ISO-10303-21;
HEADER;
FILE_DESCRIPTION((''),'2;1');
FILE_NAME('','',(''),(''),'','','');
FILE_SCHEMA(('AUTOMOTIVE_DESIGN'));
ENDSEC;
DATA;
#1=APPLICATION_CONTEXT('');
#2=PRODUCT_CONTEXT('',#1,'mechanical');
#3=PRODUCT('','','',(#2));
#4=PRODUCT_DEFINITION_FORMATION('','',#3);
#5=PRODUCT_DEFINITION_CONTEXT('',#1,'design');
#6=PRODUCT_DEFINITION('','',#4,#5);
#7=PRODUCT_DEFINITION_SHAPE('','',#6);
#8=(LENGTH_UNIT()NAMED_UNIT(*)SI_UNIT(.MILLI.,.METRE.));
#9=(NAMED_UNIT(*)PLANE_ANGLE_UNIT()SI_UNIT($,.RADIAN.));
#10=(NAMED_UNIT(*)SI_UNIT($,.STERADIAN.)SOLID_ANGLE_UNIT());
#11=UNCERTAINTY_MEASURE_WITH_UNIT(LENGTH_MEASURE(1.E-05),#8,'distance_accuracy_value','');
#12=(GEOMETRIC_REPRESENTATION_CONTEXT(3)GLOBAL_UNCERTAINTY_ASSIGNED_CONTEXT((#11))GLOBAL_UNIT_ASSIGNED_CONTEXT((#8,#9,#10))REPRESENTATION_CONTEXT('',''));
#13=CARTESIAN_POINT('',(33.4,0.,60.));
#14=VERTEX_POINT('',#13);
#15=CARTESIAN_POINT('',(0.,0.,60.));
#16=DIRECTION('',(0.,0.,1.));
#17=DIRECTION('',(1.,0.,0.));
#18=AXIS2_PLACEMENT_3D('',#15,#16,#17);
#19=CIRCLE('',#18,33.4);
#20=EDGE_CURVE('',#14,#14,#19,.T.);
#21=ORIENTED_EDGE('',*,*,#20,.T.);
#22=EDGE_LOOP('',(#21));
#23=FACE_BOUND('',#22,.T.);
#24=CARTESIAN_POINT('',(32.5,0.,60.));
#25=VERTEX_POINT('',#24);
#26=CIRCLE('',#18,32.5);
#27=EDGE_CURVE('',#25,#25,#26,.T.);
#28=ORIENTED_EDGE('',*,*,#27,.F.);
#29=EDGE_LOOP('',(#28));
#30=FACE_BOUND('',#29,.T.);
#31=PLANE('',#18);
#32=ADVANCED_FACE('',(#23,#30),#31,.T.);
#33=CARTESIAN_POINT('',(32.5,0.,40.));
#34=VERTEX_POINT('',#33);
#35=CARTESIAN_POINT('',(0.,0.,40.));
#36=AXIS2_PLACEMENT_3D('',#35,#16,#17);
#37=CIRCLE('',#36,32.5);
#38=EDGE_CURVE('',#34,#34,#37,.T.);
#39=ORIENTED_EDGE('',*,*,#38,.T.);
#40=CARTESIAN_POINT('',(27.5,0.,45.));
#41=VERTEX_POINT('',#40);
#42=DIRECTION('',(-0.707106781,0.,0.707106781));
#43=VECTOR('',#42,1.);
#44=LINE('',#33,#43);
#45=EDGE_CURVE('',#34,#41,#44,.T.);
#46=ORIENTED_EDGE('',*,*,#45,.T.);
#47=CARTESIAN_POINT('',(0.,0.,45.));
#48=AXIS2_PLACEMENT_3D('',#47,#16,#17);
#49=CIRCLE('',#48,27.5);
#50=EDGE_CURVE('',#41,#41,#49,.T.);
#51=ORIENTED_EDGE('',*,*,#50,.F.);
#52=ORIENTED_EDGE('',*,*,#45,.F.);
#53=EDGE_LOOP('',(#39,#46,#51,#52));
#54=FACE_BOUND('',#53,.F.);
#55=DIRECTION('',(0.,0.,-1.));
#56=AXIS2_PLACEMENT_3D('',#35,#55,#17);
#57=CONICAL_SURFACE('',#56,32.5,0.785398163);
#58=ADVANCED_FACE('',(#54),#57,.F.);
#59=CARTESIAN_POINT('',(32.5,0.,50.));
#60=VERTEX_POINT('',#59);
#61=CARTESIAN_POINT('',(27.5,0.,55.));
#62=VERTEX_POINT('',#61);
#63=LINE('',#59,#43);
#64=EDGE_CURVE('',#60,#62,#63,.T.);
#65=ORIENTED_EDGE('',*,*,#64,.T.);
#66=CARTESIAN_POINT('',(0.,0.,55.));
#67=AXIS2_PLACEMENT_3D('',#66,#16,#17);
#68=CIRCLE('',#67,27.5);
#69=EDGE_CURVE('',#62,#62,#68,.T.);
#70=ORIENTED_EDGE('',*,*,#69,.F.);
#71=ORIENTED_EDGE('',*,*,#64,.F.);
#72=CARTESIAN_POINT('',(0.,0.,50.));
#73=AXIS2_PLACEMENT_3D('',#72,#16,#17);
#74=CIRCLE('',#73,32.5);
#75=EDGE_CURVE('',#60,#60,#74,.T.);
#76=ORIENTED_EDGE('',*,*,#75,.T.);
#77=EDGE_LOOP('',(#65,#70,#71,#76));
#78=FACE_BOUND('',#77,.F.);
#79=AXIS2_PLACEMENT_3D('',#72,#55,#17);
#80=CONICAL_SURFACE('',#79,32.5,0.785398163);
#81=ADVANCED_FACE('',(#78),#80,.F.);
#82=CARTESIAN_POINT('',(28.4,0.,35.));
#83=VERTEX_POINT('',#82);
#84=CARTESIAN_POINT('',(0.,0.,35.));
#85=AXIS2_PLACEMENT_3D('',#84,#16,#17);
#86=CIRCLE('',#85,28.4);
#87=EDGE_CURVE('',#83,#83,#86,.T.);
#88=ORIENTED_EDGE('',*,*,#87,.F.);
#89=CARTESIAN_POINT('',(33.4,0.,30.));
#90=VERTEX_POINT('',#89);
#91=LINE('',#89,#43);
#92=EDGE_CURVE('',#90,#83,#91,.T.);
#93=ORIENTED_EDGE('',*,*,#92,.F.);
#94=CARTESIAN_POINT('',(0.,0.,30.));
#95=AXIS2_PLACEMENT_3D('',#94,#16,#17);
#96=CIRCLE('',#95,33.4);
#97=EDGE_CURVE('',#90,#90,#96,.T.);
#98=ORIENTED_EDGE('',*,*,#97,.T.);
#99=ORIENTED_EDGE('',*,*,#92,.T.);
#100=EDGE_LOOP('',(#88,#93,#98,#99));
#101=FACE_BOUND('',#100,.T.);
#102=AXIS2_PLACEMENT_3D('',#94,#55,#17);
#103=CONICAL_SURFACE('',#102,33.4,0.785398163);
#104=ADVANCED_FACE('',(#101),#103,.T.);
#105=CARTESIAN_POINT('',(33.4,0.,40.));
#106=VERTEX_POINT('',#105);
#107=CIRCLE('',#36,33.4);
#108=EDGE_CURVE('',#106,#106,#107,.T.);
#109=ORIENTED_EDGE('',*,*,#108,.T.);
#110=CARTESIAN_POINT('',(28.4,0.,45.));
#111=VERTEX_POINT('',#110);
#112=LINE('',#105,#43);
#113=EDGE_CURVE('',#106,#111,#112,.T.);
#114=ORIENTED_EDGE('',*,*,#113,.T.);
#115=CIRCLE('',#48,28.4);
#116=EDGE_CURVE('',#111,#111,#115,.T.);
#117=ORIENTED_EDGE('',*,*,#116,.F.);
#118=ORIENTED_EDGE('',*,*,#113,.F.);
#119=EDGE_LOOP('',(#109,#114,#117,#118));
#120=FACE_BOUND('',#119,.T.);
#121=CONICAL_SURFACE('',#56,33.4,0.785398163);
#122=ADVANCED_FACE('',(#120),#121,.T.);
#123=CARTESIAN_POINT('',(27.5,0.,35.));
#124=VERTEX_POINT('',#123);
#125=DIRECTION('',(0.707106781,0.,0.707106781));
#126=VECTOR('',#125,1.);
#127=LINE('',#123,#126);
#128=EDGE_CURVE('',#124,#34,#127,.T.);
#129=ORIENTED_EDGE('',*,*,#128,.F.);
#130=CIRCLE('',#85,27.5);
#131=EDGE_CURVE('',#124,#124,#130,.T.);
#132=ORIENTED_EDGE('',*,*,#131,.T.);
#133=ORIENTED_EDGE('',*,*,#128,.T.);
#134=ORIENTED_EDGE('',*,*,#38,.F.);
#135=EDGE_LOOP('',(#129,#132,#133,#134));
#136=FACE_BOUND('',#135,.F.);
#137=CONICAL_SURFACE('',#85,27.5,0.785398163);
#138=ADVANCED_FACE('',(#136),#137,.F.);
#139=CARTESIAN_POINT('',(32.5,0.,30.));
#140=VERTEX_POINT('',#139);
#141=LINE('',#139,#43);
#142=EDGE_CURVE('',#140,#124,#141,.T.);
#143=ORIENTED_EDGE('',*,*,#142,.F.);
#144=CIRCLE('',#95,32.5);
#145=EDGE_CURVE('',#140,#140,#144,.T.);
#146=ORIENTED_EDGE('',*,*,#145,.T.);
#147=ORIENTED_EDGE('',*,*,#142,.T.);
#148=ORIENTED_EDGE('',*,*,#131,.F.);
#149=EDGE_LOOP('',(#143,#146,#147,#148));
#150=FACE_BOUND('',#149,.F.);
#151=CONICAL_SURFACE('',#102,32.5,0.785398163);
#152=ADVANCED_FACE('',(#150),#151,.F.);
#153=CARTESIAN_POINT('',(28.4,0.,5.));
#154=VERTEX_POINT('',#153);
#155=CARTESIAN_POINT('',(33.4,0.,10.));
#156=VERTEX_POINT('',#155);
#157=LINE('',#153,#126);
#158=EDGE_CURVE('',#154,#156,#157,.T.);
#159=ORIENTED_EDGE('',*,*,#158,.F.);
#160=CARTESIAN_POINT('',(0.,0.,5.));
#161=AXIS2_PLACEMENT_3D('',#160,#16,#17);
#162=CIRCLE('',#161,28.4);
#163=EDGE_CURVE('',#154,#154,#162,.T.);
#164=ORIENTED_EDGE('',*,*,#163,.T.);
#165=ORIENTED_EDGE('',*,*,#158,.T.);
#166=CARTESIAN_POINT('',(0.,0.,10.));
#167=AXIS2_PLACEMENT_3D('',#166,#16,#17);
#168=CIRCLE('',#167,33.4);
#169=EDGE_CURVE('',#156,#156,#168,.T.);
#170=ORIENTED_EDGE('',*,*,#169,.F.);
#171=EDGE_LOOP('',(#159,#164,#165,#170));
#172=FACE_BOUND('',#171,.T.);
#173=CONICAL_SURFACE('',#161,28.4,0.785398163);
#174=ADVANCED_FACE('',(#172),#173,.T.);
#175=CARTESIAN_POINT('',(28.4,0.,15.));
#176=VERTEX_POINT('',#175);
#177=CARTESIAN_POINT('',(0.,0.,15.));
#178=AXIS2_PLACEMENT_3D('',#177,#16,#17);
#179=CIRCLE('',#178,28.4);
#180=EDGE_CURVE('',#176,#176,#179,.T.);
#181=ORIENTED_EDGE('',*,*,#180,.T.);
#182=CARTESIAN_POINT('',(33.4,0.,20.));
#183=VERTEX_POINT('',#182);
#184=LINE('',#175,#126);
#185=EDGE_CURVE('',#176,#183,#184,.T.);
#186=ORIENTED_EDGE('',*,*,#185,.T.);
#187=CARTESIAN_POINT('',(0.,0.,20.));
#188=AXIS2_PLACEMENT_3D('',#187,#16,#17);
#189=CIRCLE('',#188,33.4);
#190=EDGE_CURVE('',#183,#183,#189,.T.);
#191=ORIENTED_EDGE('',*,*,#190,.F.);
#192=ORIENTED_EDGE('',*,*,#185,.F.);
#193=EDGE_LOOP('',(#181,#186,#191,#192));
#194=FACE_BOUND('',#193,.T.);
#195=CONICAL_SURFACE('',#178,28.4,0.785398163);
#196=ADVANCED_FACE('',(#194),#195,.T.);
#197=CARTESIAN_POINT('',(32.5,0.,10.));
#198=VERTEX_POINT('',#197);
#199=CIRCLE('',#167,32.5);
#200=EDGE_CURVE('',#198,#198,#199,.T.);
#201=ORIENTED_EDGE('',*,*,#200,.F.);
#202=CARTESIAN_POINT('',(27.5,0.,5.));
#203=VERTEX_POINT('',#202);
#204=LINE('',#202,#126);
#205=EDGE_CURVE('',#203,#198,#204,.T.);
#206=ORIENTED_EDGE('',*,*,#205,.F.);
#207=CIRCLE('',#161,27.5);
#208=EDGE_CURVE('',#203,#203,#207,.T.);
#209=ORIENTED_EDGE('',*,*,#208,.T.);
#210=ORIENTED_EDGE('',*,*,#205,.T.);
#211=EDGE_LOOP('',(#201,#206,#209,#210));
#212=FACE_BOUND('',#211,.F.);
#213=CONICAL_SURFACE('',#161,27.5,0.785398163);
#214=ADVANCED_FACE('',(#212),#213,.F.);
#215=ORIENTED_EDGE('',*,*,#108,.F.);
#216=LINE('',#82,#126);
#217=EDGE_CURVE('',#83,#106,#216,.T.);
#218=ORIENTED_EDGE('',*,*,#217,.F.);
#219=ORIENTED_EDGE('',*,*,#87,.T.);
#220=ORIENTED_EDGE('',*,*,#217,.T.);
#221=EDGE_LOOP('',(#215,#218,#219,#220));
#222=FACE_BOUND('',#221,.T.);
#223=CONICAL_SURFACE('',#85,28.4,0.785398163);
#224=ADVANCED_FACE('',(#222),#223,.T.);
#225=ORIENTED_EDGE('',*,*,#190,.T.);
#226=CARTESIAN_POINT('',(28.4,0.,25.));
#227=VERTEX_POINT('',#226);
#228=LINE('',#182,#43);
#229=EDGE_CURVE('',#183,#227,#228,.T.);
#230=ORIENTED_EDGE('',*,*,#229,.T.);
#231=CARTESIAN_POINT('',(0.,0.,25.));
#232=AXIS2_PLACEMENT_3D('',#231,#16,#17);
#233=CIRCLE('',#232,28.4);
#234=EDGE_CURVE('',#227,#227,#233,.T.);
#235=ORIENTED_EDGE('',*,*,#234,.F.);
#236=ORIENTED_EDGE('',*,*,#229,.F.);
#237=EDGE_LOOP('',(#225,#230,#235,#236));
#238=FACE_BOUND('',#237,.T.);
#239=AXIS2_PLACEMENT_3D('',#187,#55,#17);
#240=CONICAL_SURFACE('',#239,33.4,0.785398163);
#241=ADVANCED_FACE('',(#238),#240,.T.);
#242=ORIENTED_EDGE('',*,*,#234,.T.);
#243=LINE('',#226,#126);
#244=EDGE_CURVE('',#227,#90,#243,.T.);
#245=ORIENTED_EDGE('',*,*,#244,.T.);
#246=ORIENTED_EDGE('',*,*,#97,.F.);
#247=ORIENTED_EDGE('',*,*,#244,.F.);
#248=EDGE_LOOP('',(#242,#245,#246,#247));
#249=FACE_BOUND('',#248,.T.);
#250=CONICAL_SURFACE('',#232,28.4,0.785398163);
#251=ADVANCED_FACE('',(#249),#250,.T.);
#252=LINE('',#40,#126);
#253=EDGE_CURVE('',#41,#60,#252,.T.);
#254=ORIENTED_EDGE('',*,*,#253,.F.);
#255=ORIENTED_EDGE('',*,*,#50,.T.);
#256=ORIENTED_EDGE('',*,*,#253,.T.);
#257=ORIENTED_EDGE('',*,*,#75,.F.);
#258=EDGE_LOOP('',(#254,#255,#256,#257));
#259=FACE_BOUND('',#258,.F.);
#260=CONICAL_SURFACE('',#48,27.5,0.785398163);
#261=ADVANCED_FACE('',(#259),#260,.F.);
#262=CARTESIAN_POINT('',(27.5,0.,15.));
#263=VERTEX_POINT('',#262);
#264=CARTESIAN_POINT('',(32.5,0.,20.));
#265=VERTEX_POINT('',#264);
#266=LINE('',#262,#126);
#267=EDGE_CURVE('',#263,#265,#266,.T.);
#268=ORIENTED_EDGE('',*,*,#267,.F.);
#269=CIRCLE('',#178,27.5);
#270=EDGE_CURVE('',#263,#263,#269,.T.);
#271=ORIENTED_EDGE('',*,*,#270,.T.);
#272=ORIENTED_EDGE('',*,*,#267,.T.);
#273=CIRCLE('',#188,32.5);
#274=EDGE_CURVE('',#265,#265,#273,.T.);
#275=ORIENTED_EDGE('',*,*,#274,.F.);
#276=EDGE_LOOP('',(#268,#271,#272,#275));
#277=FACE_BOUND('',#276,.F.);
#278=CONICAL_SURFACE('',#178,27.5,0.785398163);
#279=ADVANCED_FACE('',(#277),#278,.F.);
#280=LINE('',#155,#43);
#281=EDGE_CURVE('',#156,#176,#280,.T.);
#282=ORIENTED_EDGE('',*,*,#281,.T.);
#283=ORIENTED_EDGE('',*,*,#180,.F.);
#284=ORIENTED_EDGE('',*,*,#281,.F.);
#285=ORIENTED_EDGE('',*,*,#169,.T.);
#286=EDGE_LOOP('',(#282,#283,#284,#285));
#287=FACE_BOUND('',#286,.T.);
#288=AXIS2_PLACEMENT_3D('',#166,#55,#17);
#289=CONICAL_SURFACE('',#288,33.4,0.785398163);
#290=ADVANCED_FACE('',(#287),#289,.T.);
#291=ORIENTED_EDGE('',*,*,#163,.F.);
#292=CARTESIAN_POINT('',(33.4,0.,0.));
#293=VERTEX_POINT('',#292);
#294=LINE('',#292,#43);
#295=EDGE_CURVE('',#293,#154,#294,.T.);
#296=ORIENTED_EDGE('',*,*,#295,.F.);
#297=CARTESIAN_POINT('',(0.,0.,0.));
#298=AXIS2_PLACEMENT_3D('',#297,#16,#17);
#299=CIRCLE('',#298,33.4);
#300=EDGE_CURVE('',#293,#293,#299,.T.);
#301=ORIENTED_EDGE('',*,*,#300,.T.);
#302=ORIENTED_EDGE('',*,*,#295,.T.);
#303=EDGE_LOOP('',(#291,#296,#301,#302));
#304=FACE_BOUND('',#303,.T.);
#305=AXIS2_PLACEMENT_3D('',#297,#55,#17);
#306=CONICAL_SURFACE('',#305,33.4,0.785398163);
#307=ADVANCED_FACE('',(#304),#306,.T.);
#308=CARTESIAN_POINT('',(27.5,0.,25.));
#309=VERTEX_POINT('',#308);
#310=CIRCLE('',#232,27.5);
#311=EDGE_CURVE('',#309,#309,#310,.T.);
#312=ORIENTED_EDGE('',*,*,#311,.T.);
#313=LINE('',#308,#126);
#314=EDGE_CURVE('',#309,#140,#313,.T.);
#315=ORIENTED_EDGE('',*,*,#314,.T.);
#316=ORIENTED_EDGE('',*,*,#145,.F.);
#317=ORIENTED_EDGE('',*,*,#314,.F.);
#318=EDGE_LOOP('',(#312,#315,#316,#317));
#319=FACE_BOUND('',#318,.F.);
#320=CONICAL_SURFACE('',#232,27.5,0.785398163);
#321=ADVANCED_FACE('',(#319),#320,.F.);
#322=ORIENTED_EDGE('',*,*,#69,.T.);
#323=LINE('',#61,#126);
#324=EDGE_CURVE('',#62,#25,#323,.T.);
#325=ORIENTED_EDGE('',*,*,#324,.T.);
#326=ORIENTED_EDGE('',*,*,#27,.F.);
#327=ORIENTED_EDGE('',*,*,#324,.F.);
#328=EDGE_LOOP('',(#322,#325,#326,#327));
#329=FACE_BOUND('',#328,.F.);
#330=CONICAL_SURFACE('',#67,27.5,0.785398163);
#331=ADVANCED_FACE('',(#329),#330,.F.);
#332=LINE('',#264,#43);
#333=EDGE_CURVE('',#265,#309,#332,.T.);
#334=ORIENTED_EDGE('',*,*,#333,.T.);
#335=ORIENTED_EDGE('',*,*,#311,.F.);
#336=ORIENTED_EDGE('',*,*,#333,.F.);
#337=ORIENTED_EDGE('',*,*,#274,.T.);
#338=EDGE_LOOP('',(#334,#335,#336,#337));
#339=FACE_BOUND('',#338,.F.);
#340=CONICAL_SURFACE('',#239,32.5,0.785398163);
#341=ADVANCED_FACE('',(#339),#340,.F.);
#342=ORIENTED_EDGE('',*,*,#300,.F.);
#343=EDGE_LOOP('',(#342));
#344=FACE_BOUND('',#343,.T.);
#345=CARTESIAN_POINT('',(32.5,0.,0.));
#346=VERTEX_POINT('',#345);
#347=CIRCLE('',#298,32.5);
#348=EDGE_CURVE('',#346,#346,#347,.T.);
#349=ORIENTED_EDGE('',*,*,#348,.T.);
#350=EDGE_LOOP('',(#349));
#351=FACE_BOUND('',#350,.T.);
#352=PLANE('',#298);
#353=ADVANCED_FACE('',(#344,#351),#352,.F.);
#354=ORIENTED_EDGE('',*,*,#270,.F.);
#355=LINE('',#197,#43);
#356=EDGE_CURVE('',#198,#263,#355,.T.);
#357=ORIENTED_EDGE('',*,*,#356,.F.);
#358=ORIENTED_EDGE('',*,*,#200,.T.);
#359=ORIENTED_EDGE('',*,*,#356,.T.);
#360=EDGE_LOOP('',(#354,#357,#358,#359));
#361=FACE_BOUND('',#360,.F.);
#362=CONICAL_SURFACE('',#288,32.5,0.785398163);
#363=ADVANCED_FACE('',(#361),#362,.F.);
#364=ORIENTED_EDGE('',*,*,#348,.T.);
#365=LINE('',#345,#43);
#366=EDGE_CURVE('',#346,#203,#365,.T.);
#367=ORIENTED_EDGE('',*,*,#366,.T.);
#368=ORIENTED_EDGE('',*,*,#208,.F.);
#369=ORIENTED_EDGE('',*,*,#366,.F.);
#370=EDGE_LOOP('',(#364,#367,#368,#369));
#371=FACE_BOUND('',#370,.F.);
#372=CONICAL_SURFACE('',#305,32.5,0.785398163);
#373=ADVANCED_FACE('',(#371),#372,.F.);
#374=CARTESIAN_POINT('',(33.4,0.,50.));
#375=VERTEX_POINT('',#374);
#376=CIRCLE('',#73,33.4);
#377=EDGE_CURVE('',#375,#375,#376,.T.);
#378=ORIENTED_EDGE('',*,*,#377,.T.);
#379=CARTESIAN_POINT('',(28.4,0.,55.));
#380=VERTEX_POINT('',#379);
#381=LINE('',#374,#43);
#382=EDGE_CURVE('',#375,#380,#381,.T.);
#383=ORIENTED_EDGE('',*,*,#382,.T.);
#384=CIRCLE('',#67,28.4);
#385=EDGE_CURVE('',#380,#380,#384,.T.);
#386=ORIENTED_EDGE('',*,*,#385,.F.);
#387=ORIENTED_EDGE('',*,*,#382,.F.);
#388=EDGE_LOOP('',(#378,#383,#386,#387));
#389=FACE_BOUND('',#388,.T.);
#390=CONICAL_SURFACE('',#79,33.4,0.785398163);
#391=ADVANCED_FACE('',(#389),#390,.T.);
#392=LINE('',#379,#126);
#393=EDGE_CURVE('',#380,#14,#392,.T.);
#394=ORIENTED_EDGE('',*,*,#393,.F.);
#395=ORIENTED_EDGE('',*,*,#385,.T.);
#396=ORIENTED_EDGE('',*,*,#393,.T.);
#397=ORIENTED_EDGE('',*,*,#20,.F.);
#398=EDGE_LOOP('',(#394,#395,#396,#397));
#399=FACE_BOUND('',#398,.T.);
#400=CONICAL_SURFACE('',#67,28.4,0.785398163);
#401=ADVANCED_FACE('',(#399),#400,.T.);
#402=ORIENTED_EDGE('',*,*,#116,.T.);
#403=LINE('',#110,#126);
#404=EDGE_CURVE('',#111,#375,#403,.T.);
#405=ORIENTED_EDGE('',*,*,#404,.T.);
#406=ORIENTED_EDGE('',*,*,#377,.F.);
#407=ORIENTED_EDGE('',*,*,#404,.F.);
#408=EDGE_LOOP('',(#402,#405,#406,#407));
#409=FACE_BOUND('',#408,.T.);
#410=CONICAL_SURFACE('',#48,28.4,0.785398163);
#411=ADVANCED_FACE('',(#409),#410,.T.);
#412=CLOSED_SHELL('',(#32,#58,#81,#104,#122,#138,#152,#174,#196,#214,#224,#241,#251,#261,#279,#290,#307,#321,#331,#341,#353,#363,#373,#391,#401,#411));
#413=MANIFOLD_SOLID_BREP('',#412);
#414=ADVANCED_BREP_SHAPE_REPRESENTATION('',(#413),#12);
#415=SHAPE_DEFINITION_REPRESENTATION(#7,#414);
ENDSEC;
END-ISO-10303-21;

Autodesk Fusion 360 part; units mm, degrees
sketch "Sketch1" plane through (0, 0, 0) normal (0, 1, 0) x (1, 0, 0)
  line L0 (32.5, 0) -> (27.5, -5)
  line L1 (27.5, -5) -> (32.5, -10)
  line L2 (33.4, 0) -> (28.4, -5)
  line L3 (28.4, -5) -> (33.4, -10)
  line L4 (32.5, 0) -> (33.4, 0)
  line L5 (33.4, -10) -> (32.5, -10)
  line L6 (32.5, 0) -> (0, 0) construction
  point P0 (30, -2.5)
  dimension "d1" = 0.9
  dimension "d2" = 10
  dimension "d11" = 30
  dimension "d12" = 32.5
revolve "Revolve1" add sketch "Sketch1" angle 360 about axis through (0, 0, 1.75) along (0, 0, 1) makes body 1
pattern_linear "R-Pattern1" count 6 spacing 10 along (0, 0, 1) of bodies 1 makes body 2 at (31.5756, -3.1596, 18.3333) makes body 3 at (31.5756, -3.1596, 28.3333) makes body 4 at (31.5756, -3.1596, 38.3333) makes body 5 at (31.5756, -3.1596, 48.3333) makes body 6 at (31.5756, -3.1596, 58.3333)
combine "Combine1" operation add target body 1 tool bodies 2 4 5 6 3
